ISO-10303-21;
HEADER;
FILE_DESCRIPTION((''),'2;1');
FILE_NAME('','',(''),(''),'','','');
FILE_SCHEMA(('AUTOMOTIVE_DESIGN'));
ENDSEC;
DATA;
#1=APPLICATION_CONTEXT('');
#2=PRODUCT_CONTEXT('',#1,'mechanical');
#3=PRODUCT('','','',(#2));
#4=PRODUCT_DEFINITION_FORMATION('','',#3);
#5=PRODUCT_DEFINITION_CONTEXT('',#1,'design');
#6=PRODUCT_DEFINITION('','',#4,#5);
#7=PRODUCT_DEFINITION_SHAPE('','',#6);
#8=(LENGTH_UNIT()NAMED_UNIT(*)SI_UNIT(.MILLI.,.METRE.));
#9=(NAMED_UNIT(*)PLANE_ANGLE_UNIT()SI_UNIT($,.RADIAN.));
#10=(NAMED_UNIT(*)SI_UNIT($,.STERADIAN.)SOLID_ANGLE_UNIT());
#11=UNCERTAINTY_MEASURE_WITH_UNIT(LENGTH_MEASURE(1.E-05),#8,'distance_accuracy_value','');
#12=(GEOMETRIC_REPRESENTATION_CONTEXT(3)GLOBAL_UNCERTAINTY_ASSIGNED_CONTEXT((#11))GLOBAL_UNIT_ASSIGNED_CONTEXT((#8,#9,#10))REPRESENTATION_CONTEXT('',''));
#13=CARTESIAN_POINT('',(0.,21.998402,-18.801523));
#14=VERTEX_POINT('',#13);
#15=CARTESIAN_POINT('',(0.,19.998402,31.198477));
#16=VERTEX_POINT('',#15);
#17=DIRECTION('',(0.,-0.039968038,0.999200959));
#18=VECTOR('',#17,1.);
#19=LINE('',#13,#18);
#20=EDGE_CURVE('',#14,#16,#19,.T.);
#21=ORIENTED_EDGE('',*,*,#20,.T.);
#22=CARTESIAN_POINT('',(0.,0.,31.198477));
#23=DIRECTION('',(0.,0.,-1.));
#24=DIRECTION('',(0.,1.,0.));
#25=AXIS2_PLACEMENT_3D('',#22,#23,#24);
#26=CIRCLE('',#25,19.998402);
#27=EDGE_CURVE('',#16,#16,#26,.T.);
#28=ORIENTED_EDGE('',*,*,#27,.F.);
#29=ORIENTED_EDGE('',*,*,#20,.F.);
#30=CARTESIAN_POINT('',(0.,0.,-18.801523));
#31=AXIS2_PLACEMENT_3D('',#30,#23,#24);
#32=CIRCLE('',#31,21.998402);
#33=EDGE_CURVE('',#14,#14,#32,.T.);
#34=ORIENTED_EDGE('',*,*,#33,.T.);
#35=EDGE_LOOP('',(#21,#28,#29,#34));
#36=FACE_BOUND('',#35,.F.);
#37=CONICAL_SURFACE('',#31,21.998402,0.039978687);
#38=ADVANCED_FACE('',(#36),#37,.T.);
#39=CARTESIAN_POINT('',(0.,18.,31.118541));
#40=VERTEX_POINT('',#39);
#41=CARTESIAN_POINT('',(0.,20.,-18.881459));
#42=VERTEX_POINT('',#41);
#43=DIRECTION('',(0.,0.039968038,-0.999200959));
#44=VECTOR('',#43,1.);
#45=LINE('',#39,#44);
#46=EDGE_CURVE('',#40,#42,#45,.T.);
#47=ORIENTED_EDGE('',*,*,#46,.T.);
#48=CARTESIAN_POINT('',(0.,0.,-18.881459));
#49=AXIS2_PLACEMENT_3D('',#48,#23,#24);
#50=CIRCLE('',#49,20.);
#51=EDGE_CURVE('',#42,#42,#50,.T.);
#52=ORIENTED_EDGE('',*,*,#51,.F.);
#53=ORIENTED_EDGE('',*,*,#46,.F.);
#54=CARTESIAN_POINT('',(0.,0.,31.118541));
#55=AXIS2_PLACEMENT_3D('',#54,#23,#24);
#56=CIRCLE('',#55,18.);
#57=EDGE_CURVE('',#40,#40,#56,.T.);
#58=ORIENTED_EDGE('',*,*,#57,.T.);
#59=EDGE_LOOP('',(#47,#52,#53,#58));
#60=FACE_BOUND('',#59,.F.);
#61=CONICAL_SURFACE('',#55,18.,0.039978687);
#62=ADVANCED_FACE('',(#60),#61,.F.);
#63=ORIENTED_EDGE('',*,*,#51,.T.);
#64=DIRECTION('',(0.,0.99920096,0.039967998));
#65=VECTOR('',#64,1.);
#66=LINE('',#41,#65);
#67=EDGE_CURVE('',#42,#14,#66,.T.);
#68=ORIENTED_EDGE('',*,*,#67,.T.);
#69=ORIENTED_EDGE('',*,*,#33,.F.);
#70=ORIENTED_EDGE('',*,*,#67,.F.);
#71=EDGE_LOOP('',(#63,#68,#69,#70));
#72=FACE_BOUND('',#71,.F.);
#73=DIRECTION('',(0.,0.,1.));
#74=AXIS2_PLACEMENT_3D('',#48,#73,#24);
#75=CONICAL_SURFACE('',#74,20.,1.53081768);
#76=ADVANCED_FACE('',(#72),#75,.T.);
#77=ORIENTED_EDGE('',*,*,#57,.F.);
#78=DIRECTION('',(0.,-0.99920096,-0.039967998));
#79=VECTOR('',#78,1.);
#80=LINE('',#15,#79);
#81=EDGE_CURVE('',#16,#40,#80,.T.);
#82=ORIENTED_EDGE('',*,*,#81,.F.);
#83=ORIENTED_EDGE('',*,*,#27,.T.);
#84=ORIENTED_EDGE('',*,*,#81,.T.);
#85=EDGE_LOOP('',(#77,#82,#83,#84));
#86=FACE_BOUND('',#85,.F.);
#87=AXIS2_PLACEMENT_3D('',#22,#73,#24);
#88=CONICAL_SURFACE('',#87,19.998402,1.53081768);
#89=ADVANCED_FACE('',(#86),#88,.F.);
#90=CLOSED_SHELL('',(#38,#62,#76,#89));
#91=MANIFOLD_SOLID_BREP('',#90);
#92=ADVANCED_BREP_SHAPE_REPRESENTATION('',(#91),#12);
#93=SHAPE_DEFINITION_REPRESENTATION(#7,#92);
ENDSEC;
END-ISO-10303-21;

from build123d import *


with BuildPart() as f1:
    # F0 (on Right) → F1 (revolve)
    with BuildSketch(Plane.YZ):
        Polygon((19.998402, 31.198477), (18, 31.118541), (20, -18.881459), (21.998402, -18.801523), align=None)
    revolve(axis=Axis((0, 0, 8.002492), (0, 0, -1)))


solid = f1.part
